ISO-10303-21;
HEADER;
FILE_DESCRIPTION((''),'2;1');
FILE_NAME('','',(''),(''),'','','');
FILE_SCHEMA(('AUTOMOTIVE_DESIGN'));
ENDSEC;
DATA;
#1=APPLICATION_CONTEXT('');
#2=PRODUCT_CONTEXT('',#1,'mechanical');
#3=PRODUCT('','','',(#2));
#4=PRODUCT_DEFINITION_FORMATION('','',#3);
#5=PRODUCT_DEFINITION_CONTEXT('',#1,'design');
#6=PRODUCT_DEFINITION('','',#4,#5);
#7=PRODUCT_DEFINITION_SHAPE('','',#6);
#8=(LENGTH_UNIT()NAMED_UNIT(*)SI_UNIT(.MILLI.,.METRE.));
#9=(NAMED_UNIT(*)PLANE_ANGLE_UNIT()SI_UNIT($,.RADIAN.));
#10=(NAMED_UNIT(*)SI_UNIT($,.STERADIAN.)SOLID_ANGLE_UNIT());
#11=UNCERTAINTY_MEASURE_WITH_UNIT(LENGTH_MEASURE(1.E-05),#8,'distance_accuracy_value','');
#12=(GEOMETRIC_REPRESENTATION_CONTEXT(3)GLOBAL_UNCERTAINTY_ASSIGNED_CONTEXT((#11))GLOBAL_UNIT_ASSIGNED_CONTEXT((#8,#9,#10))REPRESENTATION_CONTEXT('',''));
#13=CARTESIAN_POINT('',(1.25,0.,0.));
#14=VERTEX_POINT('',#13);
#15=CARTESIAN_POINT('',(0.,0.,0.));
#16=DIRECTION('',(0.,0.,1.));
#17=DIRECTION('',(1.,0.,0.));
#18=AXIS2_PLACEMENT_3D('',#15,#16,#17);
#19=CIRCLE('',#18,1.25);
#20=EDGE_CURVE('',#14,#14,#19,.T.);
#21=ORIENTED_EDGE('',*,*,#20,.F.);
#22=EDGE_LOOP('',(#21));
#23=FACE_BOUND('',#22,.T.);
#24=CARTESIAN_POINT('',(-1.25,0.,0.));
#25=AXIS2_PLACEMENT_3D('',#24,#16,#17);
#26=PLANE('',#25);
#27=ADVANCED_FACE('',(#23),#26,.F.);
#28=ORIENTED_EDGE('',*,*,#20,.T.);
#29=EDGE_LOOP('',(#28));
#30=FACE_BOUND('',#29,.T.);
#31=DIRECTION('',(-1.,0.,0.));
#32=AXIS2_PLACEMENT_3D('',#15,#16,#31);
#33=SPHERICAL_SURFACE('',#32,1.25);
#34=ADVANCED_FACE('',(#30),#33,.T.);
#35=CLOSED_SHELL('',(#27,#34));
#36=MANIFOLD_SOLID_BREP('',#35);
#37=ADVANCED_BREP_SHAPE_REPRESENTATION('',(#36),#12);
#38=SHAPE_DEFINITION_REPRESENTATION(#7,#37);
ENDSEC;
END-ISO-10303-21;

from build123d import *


with BuildPart() as part:
    # Sketch1 → Revolve1 (revolve)
    with BuildSketch(Plane(origin=(0, 0, 0), x_dir=(1, 0, 0), z_dir=(0, 1, 0))):
        with BuildLine():
            Line((-1.25, 0), (0, 0))
            Line((0, 0), (0, -1.25))
            ThreePointArc((0, -1.25), (-0.883883476, -0.883883476), (-1.25, 0))
        make_face()
    revolve(axis=Axis((0, 0, 1.25), (0, 0, -1)))


solid = part.part
